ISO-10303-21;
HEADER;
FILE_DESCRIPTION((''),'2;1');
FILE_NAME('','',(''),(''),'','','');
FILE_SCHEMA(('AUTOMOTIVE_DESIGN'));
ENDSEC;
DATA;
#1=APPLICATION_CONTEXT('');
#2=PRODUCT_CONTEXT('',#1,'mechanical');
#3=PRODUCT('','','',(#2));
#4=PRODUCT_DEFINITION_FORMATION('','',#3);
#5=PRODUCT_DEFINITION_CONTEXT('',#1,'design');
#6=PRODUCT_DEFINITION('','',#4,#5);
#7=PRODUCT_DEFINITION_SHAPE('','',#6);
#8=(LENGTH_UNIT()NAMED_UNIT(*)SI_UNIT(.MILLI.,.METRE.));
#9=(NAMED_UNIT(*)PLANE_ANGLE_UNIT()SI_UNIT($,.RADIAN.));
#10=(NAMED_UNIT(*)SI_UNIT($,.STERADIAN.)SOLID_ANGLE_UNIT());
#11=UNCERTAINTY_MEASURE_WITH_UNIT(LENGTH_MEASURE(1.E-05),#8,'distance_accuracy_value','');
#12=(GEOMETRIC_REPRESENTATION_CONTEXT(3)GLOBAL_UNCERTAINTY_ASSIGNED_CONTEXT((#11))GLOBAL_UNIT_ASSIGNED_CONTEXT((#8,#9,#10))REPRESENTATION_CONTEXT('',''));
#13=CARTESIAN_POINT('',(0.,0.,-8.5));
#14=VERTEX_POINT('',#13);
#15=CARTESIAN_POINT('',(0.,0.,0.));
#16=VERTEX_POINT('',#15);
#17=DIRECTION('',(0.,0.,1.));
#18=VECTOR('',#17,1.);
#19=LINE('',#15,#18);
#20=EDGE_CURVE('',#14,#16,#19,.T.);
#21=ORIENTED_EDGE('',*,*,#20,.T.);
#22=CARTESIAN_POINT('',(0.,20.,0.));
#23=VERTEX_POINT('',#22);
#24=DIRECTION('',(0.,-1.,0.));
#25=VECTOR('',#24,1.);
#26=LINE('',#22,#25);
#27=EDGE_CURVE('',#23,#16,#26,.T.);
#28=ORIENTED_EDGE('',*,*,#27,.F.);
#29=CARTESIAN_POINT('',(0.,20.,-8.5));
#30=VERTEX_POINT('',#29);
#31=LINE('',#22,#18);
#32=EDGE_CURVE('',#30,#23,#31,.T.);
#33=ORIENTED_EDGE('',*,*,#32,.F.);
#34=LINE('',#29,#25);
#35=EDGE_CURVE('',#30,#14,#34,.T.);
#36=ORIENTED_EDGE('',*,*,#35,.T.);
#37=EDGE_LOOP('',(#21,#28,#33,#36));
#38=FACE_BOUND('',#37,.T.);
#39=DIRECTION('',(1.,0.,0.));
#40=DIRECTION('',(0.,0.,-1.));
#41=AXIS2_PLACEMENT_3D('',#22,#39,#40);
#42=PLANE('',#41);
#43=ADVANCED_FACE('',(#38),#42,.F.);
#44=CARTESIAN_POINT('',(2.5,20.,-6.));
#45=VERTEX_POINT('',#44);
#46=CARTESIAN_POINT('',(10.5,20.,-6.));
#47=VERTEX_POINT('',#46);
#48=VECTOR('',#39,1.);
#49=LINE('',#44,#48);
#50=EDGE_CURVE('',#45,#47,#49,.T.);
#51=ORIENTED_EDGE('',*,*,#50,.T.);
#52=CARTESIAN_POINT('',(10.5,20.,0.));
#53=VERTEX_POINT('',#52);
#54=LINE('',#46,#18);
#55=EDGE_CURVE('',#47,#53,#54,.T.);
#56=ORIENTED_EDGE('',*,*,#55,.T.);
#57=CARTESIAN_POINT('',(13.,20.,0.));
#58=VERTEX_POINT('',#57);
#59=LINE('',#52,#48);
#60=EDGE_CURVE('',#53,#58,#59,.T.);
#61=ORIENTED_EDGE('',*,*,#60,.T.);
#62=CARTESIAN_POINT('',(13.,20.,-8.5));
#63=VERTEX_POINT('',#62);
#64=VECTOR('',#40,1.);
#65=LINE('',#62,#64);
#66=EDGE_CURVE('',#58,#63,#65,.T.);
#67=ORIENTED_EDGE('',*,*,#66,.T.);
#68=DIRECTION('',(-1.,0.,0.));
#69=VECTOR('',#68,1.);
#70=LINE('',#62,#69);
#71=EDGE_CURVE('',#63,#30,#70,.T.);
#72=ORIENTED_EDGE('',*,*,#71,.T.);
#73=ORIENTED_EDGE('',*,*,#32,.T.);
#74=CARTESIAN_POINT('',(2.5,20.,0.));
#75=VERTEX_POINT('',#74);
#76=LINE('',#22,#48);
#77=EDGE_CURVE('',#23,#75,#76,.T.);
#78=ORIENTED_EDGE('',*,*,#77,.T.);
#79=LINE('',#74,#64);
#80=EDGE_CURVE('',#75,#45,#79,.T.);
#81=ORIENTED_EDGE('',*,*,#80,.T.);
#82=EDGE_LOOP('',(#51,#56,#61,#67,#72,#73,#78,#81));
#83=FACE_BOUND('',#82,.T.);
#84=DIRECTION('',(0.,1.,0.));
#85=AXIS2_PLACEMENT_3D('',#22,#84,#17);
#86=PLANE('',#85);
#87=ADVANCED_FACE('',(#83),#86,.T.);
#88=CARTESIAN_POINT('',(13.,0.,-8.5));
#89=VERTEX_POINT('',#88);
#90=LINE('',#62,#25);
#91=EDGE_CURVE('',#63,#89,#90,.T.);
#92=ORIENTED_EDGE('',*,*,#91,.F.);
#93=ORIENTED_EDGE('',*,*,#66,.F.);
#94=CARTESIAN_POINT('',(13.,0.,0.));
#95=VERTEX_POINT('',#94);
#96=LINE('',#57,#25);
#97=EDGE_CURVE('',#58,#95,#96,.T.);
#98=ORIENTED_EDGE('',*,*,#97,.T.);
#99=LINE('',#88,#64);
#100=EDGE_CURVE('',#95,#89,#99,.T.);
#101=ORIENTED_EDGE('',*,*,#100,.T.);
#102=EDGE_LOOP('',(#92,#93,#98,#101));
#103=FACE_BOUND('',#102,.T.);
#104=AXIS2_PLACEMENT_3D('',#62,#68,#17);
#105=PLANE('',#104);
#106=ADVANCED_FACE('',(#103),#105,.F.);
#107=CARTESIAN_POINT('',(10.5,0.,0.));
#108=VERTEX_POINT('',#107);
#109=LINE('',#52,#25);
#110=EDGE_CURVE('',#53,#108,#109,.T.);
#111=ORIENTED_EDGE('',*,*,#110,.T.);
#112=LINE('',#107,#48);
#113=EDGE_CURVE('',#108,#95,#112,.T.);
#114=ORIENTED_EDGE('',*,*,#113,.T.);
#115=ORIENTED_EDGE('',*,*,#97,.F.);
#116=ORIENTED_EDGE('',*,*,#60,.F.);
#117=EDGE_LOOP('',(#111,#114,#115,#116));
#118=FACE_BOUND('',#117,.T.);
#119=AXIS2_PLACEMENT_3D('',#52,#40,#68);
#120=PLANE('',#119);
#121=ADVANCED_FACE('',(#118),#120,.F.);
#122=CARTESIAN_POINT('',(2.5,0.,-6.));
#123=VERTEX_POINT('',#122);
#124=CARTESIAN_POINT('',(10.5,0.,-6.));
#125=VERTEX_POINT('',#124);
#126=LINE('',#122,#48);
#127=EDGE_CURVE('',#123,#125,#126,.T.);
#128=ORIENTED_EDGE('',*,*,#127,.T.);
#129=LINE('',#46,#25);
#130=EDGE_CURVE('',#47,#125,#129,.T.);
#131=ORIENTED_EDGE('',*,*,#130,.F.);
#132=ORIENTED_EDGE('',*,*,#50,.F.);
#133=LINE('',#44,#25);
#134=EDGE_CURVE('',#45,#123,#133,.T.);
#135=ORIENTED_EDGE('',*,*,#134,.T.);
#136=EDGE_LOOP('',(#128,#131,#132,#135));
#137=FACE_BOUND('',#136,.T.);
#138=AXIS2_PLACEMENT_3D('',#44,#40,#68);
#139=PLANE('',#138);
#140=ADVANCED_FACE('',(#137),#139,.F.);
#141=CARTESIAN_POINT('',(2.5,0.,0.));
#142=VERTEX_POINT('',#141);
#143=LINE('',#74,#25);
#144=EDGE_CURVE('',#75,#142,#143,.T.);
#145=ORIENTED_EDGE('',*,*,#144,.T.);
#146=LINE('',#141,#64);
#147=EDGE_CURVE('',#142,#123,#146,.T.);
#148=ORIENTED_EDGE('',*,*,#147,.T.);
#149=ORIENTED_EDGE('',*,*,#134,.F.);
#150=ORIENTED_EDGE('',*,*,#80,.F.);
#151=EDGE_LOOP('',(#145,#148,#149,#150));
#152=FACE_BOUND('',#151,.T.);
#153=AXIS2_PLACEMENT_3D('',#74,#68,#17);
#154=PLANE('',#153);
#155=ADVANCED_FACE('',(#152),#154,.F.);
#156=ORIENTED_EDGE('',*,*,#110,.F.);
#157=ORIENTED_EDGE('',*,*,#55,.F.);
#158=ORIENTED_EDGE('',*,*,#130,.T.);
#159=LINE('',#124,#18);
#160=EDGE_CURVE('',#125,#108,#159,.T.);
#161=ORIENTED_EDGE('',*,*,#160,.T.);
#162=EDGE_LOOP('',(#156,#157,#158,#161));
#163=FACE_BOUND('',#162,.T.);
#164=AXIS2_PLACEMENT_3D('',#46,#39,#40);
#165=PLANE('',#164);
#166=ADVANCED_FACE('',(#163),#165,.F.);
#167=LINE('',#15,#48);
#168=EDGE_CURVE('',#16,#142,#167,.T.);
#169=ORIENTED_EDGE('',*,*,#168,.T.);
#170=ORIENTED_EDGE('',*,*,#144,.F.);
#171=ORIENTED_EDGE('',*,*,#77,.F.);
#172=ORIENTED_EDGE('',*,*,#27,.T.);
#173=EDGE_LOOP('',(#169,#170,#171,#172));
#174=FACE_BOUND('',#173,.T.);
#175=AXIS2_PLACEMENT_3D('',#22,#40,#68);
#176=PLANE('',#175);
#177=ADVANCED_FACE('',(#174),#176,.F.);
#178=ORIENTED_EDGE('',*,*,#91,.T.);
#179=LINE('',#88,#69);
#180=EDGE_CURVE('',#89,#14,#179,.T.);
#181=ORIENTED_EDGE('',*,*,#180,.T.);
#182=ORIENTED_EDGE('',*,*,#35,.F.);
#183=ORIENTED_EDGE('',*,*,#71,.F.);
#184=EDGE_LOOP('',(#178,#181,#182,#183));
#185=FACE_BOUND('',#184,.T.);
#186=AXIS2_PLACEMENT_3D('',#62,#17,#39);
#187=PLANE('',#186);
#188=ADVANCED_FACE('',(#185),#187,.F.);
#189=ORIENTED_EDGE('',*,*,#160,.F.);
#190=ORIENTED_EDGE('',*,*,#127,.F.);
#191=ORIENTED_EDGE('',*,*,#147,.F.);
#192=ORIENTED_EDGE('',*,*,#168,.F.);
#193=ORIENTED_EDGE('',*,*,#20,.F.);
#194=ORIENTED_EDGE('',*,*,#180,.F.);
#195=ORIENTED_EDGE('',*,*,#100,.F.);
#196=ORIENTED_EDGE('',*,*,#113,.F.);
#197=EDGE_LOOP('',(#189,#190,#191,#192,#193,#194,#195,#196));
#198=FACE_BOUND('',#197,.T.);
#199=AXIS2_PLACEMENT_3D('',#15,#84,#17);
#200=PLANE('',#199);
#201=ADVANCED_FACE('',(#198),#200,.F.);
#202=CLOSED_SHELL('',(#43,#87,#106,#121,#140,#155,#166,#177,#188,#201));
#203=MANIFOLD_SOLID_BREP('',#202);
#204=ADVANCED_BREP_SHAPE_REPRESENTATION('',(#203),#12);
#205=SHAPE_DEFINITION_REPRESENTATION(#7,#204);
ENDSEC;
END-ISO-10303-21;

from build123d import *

# Parameters (mm, degrees)
BOSS_EXTRUDE1_DEPTH = 20


with BuildPart() as part:
    # Sketch1 → Boss-Extrude1 (new body)
    with BuildSketch(Plane(origin=(0, 0, 0), x_dir=(1, 0, 0), z_dir=(0, 1, 0))):
        Polygon((0, 0), (0, 8.5), (13, 8.5), (13, 0), (10.5, 0), (10.5, 6), (2.5, 6), (2.5, 0), align=None)
    extrude(amount=BOSS_EXTRUDE1_DEPTH)


solid = part.part
